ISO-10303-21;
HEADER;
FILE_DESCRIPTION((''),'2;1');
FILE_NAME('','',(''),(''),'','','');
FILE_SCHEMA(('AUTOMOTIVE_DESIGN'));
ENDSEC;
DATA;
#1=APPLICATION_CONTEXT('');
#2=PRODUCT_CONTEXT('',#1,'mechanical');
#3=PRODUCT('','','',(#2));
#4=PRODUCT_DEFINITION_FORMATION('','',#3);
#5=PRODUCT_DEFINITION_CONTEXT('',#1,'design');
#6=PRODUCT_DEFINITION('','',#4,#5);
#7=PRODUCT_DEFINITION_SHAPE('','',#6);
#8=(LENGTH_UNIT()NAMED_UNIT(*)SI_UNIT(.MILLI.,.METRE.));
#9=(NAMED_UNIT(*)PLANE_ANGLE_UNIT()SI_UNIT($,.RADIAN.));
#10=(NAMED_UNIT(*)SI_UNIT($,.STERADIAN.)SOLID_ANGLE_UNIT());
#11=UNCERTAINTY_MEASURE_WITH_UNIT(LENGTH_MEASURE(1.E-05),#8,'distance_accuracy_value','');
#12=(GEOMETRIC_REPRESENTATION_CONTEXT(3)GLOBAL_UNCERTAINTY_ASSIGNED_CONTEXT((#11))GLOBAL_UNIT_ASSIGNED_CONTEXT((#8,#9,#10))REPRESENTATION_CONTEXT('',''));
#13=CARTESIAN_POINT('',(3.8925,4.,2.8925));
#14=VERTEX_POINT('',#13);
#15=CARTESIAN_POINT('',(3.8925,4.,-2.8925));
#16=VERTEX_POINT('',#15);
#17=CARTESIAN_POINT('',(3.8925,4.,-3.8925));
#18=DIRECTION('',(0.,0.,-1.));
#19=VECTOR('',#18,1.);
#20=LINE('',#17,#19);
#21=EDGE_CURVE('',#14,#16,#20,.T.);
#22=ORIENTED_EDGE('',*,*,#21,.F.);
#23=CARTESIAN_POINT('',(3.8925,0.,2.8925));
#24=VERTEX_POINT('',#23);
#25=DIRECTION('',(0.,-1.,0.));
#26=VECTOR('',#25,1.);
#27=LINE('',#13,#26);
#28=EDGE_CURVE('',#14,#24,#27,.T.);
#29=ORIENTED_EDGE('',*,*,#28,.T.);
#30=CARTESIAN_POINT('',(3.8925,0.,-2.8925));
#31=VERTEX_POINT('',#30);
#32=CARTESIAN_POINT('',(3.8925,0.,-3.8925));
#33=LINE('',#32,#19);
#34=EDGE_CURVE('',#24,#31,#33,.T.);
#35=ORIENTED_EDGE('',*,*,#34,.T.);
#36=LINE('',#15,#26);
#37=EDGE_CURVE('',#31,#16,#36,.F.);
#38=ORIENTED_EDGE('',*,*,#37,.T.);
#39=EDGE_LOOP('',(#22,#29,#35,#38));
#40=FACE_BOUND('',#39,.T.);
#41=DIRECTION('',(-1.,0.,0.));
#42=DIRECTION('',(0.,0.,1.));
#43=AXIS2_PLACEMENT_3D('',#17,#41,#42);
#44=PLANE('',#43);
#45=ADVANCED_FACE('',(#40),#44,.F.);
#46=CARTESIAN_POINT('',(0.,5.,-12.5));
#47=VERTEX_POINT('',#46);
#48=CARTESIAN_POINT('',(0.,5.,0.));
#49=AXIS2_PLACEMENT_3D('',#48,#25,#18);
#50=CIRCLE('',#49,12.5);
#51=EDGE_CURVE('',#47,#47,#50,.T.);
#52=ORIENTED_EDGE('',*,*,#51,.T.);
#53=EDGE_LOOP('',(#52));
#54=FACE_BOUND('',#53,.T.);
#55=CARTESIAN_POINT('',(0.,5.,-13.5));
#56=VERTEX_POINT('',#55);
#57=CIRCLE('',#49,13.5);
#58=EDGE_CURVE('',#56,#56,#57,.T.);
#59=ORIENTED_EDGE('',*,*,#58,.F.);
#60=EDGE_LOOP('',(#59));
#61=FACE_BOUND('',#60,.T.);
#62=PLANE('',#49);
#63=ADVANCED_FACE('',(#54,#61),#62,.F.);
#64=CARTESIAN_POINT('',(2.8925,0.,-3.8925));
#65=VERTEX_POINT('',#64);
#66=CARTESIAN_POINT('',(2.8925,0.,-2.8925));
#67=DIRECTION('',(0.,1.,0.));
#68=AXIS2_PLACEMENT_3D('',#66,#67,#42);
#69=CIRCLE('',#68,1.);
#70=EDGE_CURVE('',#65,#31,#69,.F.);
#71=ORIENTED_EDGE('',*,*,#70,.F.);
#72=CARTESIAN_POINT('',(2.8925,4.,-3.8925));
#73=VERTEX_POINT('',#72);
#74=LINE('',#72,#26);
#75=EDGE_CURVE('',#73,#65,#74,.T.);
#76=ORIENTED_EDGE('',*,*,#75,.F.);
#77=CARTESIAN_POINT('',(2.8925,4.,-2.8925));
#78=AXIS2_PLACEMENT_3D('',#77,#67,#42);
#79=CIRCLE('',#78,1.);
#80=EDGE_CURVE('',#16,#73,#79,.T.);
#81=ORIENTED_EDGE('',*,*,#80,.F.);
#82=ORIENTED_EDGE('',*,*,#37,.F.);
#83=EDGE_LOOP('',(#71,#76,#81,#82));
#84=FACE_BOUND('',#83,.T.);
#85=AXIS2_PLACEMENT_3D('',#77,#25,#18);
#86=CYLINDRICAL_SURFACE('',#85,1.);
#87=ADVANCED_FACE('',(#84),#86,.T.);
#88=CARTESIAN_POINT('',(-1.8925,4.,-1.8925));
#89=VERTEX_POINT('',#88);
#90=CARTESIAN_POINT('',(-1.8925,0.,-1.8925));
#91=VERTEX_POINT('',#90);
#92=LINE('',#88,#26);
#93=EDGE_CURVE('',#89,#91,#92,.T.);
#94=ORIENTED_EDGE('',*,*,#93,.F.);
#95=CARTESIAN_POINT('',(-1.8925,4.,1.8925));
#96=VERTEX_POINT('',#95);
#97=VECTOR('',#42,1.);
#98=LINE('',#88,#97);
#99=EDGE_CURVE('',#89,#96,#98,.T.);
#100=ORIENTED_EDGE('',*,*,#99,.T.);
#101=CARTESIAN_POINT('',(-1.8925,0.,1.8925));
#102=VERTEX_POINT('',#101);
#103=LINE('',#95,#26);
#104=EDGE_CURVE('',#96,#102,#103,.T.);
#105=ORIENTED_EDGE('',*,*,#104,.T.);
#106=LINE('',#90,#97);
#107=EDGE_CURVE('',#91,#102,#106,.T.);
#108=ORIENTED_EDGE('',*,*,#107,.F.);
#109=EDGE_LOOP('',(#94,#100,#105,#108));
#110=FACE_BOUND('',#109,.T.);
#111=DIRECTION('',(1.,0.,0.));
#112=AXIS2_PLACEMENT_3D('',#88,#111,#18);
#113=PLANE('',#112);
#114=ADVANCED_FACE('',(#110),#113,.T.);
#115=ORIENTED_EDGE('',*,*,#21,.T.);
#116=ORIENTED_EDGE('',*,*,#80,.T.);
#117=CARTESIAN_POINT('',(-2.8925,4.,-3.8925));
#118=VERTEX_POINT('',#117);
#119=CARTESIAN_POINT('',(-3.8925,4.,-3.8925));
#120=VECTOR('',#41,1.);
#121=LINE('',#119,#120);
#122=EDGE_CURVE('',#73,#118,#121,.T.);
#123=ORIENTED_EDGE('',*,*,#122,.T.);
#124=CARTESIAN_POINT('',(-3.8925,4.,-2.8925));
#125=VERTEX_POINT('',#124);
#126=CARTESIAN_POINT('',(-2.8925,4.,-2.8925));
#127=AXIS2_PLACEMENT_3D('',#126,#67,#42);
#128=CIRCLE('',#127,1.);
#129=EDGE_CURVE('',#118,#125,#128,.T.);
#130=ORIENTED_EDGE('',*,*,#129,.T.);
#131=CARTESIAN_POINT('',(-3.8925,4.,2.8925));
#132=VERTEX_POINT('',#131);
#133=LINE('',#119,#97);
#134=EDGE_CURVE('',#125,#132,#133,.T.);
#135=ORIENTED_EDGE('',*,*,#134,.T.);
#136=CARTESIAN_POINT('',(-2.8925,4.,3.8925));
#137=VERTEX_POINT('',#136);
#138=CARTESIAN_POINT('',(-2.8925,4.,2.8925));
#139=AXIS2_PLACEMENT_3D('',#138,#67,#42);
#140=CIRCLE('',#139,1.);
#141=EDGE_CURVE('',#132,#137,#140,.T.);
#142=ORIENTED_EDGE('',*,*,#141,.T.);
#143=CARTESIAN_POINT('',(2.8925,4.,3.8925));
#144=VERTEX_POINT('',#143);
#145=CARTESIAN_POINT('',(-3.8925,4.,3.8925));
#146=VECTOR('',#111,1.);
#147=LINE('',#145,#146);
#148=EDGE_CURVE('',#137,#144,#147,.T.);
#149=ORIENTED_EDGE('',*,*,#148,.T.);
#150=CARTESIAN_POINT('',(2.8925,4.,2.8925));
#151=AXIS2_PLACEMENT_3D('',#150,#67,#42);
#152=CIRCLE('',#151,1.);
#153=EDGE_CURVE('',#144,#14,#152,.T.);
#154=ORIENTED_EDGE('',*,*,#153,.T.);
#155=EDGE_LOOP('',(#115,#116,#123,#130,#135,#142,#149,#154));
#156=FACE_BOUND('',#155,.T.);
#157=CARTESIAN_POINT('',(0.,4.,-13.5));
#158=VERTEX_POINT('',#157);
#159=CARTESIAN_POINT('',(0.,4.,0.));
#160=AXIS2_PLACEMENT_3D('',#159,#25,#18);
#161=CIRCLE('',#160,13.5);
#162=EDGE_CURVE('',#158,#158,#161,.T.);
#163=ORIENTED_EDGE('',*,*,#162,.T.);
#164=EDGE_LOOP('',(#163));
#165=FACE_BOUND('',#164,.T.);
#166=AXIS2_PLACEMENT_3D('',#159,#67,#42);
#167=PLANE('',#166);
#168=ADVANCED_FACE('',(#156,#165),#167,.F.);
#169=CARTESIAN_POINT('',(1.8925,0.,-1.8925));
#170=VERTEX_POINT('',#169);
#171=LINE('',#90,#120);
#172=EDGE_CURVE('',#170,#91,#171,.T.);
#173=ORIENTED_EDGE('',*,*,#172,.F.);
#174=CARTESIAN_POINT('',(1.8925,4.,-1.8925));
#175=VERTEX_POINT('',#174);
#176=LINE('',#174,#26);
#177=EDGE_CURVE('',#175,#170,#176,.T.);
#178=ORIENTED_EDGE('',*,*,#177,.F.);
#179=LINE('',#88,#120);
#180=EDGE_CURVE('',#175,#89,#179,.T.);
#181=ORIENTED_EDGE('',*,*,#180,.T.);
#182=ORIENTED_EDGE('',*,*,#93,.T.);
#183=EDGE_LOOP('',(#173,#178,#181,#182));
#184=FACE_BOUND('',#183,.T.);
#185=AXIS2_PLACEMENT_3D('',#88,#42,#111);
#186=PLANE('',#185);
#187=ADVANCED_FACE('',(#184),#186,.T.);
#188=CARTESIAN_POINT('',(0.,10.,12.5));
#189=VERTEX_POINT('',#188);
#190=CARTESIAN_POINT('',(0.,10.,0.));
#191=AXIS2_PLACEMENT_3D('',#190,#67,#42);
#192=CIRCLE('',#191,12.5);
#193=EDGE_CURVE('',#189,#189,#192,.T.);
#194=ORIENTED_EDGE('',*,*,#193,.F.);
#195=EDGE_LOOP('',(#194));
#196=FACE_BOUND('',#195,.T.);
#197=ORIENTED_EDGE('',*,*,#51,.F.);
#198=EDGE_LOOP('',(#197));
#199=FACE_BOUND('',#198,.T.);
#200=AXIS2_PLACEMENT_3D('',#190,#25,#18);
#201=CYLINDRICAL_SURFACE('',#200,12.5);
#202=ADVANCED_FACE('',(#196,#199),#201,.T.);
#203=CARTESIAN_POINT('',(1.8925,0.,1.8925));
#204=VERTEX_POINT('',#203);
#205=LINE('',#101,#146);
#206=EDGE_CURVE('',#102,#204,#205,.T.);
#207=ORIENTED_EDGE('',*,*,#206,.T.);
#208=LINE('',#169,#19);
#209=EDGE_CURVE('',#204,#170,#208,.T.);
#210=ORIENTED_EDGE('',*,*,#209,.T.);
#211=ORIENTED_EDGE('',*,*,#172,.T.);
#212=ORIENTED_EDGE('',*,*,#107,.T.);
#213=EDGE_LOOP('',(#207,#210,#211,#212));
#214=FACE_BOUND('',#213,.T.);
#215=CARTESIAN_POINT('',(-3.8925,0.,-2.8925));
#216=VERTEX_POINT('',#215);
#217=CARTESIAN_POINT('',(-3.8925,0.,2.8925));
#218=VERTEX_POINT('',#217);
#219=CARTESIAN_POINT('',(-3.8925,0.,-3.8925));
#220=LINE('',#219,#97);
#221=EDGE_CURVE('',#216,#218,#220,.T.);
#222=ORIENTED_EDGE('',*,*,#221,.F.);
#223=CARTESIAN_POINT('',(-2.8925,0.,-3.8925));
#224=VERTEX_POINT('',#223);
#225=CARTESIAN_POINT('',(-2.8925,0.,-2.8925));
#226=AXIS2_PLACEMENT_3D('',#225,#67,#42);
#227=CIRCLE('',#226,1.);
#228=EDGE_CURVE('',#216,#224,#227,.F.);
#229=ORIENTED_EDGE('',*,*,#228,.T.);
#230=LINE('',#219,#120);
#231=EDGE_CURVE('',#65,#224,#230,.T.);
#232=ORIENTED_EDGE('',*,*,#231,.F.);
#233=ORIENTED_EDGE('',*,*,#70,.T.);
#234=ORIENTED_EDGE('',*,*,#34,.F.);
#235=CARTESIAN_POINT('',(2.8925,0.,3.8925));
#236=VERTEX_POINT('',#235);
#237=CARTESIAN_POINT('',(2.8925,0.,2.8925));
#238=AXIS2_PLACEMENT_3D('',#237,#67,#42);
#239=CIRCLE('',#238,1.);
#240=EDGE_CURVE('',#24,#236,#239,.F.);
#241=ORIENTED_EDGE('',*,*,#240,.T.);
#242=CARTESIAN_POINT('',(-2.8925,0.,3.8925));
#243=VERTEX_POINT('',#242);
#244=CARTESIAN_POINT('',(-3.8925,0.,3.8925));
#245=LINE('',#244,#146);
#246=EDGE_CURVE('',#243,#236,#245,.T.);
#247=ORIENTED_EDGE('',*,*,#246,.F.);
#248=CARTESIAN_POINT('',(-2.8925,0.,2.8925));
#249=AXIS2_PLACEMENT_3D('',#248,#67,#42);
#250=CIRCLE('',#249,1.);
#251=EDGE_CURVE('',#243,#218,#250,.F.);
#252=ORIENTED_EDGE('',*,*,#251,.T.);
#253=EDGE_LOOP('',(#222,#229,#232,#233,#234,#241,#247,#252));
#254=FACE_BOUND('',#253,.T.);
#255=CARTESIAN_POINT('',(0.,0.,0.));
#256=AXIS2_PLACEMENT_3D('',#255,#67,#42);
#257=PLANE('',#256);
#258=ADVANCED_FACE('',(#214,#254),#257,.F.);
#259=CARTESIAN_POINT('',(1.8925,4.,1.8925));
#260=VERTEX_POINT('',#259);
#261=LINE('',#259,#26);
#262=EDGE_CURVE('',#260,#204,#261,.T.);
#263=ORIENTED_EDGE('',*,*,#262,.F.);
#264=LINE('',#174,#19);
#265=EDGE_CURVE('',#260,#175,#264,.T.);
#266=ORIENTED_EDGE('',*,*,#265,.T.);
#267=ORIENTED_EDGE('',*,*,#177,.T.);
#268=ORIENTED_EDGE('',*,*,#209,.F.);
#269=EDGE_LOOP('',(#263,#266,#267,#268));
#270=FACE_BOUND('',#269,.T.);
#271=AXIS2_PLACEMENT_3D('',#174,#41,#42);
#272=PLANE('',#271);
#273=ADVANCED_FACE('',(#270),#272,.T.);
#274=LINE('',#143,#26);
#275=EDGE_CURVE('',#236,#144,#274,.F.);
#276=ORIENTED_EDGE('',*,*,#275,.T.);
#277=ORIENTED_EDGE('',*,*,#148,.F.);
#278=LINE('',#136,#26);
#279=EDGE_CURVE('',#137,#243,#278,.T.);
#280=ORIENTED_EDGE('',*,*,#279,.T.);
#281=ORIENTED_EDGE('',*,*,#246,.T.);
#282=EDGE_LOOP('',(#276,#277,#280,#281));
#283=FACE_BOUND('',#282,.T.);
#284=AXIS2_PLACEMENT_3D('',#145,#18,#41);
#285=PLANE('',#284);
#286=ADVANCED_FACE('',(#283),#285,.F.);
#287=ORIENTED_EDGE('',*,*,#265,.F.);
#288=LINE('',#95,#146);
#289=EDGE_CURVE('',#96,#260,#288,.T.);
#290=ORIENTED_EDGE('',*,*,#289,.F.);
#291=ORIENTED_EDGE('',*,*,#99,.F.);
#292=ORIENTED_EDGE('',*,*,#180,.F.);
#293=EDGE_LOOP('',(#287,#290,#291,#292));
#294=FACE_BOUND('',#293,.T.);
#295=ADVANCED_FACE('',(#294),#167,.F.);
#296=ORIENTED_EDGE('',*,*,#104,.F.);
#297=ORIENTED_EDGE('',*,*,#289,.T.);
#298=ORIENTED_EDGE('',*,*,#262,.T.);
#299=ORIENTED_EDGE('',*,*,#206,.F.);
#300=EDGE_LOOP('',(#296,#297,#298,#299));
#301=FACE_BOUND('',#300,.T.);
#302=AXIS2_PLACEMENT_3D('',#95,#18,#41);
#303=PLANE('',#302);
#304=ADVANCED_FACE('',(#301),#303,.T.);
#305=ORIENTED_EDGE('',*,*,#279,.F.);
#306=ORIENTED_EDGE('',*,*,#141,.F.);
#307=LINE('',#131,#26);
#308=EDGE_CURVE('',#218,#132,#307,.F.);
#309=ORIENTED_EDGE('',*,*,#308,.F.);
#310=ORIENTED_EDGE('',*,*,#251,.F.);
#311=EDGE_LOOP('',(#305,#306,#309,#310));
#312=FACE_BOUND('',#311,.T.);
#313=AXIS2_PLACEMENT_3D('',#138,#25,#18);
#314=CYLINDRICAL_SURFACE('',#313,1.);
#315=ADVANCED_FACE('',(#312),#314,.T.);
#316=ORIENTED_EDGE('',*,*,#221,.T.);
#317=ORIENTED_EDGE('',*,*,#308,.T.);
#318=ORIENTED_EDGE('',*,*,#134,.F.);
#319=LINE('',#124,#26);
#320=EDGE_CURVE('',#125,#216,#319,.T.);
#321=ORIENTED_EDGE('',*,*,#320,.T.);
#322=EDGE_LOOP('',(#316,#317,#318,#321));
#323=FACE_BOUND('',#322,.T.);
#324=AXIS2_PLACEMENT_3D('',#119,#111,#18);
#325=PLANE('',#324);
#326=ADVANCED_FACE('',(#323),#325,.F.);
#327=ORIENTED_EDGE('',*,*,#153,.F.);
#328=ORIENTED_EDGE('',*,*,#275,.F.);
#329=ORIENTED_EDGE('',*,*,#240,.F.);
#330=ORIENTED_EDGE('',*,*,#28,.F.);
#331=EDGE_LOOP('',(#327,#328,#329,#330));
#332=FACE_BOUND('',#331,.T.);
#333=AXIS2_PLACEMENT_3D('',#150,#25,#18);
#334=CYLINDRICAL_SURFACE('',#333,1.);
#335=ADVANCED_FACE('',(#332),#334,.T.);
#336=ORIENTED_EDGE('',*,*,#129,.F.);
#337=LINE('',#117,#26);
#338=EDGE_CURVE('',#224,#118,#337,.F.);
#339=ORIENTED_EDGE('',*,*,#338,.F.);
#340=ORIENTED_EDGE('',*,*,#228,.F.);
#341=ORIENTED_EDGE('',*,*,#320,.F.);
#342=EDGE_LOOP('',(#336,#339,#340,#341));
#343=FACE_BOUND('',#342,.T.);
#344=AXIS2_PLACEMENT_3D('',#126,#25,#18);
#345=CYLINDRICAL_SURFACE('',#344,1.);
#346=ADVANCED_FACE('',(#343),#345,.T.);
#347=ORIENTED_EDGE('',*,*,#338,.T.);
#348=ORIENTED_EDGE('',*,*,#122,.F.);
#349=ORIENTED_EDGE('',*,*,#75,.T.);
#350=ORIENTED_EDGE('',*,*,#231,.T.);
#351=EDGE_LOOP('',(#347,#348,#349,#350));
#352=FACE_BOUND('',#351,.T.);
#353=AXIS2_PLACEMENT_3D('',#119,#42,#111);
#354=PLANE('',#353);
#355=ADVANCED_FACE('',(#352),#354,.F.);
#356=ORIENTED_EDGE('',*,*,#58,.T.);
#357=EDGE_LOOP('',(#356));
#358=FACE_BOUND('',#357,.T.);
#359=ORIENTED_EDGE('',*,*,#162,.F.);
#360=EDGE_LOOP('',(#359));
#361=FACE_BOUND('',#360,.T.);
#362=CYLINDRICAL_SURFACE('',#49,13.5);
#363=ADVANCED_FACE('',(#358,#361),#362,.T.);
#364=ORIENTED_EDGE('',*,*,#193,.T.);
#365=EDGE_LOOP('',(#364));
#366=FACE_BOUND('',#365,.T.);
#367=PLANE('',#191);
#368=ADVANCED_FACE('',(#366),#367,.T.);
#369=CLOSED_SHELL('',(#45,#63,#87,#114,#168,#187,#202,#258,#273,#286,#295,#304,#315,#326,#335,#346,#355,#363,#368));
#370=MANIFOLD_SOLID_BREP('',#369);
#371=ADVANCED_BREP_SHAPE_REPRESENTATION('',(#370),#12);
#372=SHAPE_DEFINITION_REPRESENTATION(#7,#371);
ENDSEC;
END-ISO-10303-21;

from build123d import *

# Parameters (mm, degrees)
SKETCH3_W           = 7.785
SKETCH3_H           = 7.785
SKETCH3_W_2         = 3.785
SKETCH3_H_2         = 3.785
BOSS_EXTRUDE1_DEPTH = 4
SKETCH4_R           = 12.5
BOSS_EXTRUDE2_DEPTH = 6
SKETCH5_R           = 13.5
BOSS_EXTRUDE3_DEPTH = 1
FILLET1_R           = 1


with BuildPart() as part:
    # Sketch3 → Boss-Extrude1 (new body)
    with BuildSketch(Plane(origin=(0, 0, 0), x_dir=(1, 0, 0), z_dir=(0, 1, 0))):
        Rectangle(SKETCH3_W, SKETCH3_H)
        Rectangle(SKETCH3_W_2, SKETCH3_H_2, mode=Mode.SUBTRACT)
    extrude(amount=BOSS_EXTRUDE1_DEPTH)

    # Sketch4 → Boss-Extrude2 (add)
    with BuildSketch(Plane(origin=(0, 4, 0), x_dir=(1, 0, 0), z_dir=(0, 1, 0))):
        with Locations(Location((0, 0, 0), (0, 0, 270))):
            Circle(SKETCH4_R)
    extrude(amount=BOSS_EXTRUDE2_DEPTH)

    # Sketch5 → Boss-Extrude3 (add)
    with BuildSketch(Plane.XZ.offset(-4)):
        with Locations(Location((0, 0, 0), (0, 0, 270))):
            Circle(SKETCH5_R)
    extrude(amount=-BOSS_EXTRUDE3_DEPTH)

    # Fillet1
    fillet1_edges = [part.edges().sort_by_distance(p)[0] for p in [
        (3.8925, 2, 3.8925),
        (-3.8925, 2, 3.8925),
        (-3.8925, 2, -3.8925),
        (3.8925, 2, -3.8925),
    ]]
    fillet(fillet1_edges, radius=FILLET1_R)


solid = part.part
